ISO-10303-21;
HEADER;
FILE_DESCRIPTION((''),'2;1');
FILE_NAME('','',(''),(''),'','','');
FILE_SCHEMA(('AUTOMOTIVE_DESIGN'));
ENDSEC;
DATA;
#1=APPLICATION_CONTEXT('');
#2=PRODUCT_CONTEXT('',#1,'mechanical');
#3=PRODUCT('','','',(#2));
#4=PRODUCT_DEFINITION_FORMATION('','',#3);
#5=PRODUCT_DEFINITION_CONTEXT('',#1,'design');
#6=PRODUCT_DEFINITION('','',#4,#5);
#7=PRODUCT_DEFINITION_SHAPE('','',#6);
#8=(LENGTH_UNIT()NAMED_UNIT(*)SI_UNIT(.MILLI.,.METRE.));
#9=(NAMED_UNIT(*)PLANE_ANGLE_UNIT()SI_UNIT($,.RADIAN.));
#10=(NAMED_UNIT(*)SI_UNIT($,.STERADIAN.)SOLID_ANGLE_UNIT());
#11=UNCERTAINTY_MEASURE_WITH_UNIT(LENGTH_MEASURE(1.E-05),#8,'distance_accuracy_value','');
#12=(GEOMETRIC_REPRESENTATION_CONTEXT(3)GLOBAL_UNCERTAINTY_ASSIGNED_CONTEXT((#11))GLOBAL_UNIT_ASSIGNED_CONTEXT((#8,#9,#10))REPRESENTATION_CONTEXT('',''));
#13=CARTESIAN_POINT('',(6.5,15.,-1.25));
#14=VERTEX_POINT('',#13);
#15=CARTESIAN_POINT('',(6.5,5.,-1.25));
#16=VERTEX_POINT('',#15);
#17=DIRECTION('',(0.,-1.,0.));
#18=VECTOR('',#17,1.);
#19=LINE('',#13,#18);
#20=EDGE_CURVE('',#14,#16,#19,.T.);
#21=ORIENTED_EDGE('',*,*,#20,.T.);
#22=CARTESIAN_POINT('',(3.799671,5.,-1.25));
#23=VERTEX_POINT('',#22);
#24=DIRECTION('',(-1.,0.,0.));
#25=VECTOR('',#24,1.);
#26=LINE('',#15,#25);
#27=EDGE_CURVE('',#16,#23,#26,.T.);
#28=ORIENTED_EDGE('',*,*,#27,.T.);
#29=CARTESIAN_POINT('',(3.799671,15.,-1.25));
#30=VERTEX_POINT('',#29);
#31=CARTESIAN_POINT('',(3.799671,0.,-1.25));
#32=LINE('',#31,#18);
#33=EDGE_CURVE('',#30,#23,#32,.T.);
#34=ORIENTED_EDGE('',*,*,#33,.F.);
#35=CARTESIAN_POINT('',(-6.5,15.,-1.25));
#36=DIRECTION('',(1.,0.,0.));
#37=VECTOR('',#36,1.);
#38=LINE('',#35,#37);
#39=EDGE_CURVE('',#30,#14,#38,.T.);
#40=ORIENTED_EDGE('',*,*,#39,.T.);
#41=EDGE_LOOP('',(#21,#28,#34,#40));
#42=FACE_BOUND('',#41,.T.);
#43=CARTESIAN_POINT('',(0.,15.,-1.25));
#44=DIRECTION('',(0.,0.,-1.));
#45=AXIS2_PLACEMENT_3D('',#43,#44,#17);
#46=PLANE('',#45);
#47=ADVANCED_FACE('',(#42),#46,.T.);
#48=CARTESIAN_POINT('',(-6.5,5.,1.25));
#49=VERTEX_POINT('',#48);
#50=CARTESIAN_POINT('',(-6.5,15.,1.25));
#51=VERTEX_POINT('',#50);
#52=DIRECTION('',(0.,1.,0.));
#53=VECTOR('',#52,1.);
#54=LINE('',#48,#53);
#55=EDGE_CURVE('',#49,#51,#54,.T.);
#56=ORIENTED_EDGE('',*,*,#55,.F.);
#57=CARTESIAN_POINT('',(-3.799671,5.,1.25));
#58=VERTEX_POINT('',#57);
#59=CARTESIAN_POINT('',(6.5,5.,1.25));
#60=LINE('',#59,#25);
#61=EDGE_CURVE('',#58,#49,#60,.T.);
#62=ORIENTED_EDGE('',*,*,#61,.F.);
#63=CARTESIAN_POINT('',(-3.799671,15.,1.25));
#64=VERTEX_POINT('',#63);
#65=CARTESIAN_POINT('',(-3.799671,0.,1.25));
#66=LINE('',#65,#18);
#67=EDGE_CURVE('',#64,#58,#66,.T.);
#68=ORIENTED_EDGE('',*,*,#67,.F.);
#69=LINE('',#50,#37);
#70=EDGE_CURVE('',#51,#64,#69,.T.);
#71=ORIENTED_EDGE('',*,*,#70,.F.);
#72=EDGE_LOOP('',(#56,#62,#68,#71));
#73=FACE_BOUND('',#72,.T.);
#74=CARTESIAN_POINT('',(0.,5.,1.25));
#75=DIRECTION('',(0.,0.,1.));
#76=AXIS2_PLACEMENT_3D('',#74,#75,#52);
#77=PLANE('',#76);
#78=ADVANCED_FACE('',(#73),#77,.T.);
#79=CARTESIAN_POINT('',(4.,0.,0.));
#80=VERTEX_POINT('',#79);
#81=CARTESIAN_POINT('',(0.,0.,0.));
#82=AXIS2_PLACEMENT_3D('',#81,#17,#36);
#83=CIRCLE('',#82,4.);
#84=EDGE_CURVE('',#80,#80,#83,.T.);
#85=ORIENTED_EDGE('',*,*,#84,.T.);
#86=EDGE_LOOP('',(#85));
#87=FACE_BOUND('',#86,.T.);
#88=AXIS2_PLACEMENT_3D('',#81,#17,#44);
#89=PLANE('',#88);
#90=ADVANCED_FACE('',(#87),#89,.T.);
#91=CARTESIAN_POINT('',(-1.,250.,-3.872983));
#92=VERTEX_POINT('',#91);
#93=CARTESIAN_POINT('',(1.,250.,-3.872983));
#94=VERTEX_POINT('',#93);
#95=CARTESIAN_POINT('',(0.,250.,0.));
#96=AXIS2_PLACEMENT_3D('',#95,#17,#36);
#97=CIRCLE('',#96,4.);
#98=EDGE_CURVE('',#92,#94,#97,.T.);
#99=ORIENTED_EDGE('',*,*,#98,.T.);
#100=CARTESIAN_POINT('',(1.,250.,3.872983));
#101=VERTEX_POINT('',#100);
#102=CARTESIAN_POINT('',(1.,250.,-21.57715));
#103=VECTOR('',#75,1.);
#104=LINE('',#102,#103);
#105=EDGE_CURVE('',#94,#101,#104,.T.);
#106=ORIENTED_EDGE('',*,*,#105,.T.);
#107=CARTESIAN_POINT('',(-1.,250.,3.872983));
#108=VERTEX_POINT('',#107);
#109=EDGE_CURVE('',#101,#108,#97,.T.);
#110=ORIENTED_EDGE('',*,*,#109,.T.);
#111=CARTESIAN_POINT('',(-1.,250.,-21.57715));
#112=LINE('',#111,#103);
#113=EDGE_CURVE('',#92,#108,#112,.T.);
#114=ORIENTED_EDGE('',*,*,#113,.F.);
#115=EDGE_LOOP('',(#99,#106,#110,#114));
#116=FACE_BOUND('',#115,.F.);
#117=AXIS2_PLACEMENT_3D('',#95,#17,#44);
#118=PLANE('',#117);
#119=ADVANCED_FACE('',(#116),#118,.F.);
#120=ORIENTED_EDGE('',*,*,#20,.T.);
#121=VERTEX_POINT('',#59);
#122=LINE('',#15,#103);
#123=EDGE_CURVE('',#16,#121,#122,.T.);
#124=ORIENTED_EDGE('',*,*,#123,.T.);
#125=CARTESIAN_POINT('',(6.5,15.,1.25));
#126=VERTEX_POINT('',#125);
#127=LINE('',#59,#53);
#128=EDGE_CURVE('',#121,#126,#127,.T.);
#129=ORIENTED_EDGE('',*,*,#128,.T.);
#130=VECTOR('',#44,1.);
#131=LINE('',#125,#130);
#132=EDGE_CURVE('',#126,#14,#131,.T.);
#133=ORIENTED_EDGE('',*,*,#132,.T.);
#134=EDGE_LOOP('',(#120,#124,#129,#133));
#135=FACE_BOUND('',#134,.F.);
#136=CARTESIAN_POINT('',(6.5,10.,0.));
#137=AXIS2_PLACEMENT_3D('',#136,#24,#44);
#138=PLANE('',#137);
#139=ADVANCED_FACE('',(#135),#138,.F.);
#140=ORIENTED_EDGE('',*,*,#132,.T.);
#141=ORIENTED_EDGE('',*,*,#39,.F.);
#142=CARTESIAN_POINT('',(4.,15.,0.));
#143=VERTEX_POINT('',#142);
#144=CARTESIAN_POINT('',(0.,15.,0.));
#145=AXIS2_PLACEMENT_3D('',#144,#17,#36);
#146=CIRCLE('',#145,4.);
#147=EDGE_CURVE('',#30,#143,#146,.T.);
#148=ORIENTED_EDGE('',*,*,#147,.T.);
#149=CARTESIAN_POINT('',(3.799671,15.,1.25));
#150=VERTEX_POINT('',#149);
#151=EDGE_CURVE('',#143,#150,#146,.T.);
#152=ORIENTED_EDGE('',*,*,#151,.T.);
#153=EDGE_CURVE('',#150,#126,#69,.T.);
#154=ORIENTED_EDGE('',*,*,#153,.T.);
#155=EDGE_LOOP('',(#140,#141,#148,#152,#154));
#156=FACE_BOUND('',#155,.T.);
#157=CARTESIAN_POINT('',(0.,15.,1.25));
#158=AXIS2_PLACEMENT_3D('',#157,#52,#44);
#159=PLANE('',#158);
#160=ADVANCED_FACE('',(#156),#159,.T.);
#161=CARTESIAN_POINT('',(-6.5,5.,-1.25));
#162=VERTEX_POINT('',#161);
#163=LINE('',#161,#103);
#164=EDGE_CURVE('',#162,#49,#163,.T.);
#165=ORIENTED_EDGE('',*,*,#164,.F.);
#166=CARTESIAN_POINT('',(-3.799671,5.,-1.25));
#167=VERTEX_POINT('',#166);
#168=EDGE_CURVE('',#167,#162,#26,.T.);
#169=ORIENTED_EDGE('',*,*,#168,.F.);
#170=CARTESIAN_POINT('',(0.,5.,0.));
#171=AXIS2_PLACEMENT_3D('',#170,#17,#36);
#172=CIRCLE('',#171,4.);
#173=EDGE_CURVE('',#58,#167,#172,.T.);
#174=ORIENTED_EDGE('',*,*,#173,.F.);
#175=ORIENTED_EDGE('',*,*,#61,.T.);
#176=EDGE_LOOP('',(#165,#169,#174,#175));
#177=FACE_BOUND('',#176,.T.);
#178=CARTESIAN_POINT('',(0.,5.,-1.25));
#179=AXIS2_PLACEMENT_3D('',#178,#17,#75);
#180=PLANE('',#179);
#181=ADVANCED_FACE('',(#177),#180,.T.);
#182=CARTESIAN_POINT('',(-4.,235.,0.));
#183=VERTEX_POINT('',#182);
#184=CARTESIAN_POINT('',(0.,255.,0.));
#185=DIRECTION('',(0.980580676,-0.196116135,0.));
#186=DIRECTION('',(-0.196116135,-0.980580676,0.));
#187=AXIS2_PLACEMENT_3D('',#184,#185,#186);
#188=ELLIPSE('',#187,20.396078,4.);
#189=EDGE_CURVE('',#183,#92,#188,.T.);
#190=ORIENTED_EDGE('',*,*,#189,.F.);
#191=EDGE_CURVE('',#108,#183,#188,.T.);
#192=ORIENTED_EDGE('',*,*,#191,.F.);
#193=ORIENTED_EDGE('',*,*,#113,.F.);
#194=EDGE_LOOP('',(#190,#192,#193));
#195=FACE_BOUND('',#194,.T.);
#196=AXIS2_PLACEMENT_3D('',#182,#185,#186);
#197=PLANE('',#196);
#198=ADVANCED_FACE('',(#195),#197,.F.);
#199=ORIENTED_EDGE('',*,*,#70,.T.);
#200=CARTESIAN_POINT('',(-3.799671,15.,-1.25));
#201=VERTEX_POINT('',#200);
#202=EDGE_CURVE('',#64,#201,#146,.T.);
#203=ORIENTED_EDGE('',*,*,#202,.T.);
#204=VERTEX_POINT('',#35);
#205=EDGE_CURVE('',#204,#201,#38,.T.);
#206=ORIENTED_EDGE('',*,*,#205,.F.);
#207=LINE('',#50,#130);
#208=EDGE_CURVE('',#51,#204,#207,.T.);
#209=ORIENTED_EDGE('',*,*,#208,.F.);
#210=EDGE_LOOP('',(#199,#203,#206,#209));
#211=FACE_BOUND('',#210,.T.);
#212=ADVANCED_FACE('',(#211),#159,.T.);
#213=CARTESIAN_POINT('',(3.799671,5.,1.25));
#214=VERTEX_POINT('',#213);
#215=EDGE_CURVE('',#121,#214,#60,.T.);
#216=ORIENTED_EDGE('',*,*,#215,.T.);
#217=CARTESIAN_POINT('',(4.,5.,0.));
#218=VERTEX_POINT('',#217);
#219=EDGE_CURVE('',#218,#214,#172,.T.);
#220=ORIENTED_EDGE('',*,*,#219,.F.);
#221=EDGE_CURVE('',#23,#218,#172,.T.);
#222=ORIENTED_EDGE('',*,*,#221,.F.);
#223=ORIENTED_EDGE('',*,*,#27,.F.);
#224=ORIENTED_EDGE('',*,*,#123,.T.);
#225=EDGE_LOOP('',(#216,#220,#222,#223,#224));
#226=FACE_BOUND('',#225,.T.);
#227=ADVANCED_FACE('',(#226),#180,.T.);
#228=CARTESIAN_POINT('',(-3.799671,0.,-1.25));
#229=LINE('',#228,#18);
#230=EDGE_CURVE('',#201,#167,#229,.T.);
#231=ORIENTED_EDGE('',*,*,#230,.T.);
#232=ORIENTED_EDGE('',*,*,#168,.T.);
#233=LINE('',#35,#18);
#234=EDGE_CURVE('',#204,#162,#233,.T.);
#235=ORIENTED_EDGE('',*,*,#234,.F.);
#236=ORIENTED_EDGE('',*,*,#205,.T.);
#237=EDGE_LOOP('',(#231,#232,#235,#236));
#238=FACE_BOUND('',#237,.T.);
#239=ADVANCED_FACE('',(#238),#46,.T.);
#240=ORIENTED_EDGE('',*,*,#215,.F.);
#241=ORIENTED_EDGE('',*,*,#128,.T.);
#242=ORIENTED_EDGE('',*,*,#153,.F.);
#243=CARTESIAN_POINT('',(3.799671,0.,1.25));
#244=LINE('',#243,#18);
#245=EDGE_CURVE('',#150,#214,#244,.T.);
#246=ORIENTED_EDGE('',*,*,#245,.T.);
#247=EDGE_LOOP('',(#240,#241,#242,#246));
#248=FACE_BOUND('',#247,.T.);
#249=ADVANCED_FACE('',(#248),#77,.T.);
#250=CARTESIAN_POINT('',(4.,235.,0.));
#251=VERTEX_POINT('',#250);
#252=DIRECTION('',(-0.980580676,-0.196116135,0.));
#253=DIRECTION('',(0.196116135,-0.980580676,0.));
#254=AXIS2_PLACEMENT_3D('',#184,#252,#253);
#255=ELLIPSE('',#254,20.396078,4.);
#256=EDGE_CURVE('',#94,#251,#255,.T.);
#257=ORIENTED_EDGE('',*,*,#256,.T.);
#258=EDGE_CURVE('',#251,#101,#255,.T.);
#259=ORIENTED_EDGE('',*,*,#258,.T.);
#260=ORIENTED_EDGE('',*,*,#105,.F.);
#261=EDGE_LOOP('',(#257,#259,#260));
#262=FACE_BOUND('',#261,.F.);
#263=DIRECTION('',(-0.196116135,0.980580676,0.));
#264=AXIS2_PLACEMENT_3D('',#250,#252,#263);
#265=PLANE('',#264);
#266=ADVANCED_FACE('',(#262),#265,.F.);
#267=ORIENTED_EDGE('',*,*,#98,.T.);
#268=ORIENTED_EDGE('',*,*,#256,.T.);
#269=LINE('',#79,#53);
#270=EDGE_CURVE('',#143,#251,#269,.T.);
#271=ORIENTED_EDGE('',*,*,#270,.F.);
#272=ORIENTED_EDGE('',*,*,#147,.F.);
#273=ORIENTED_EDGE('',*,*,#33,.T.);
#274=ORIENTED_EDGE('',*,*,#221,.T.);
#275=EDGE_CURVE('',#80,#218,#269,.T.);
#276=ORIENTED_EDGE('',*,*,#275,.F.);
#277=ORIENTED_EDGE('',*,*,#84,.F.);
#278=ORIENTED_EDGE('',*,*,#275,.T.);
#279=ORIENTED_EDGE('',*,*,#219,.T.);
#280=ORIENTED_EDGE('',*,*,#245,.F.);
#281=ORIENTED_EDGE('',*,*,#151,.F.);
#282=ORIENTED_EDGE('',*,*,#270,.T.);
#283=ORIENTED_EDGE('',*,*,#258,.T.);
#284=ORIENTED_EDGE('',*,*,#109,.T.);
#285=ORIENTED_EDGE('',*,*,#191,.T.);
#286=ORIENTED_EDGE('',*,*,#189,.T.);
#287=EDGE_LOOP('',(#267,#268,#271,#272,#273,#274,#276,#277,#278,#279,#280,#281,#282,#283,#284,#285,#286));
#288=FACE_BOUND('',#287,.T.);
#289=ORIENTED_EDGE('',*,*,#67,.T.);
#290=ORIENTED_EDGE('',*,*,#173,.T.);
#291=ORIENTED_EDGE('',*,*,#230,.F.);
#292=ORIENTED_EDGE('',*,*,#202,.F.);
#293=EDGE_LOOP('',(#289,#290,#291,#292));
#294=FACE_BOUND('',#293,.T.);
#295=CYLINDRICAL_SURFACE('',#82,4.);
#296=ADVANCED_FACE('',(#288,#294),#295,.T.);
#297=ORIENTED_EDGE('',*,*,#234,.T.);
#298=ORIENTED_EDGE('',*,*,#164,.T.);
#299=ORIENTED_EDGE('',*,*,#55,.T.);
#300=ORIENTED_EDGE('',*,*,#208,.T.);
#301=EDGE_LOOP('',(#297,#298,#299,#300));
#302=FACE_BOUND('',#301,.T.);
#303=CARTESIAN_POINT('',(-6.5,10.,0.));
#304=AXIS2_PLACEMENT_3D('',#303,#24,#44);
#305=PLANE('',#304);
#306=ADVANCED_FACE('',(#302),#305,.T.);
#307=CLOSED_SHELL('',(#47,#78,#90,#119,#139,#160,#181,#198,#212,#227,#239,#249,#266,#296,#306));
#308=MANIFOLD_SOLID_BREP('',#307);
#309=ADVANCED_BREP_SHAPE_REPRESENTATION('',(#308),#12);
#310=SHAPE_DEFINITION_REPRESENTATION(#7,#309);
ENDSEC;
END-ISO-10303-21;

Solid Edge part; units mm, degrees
sketch "Sketch1" plane through (0, 0, 0) normal (0, -1, 0) x (1, 0, 0)
  circle A0 centre (0, 0) radius 4
  dimension "D1" = 8
extrude "Protrusion1" add sketch "Sketch1" against normal blind 250
sketch "Sketch2" plane through (0, 0, 0) normal (0, 0, 1) x (1, 0, 0)
  line L0 (4, 250) -> (4, 235)
  line L1 (4, 235) -> (1, 250)
  line L2 (1, 250) -> (4, 250)
  dimension "D1" = 15
  dimension "D2" = 3
extrude "拉伸除料_1" cut sketch "Sketch2" along normal mid plane 43.1543
mirror "Mirror1" about plane through (0, 0, 0) normal (1, 0, 0) of "拉伸除料_1"
sketch "Sketch3" plane through (0, 0, 0) normal (1, 0, 0) x (0, 1, 0)
  line L0 (15, -1.25) -> (5, -1.25)
  line L1 (5, -1.25) -> (5, 1.25)
  line L2 (5, 1.25) -> (15, 1.25)
  line L3 (15, 1.25) -> (15, -1.25)
extrude "拉伸_2" add sketch "Sketch3" along normal mid plane 13
